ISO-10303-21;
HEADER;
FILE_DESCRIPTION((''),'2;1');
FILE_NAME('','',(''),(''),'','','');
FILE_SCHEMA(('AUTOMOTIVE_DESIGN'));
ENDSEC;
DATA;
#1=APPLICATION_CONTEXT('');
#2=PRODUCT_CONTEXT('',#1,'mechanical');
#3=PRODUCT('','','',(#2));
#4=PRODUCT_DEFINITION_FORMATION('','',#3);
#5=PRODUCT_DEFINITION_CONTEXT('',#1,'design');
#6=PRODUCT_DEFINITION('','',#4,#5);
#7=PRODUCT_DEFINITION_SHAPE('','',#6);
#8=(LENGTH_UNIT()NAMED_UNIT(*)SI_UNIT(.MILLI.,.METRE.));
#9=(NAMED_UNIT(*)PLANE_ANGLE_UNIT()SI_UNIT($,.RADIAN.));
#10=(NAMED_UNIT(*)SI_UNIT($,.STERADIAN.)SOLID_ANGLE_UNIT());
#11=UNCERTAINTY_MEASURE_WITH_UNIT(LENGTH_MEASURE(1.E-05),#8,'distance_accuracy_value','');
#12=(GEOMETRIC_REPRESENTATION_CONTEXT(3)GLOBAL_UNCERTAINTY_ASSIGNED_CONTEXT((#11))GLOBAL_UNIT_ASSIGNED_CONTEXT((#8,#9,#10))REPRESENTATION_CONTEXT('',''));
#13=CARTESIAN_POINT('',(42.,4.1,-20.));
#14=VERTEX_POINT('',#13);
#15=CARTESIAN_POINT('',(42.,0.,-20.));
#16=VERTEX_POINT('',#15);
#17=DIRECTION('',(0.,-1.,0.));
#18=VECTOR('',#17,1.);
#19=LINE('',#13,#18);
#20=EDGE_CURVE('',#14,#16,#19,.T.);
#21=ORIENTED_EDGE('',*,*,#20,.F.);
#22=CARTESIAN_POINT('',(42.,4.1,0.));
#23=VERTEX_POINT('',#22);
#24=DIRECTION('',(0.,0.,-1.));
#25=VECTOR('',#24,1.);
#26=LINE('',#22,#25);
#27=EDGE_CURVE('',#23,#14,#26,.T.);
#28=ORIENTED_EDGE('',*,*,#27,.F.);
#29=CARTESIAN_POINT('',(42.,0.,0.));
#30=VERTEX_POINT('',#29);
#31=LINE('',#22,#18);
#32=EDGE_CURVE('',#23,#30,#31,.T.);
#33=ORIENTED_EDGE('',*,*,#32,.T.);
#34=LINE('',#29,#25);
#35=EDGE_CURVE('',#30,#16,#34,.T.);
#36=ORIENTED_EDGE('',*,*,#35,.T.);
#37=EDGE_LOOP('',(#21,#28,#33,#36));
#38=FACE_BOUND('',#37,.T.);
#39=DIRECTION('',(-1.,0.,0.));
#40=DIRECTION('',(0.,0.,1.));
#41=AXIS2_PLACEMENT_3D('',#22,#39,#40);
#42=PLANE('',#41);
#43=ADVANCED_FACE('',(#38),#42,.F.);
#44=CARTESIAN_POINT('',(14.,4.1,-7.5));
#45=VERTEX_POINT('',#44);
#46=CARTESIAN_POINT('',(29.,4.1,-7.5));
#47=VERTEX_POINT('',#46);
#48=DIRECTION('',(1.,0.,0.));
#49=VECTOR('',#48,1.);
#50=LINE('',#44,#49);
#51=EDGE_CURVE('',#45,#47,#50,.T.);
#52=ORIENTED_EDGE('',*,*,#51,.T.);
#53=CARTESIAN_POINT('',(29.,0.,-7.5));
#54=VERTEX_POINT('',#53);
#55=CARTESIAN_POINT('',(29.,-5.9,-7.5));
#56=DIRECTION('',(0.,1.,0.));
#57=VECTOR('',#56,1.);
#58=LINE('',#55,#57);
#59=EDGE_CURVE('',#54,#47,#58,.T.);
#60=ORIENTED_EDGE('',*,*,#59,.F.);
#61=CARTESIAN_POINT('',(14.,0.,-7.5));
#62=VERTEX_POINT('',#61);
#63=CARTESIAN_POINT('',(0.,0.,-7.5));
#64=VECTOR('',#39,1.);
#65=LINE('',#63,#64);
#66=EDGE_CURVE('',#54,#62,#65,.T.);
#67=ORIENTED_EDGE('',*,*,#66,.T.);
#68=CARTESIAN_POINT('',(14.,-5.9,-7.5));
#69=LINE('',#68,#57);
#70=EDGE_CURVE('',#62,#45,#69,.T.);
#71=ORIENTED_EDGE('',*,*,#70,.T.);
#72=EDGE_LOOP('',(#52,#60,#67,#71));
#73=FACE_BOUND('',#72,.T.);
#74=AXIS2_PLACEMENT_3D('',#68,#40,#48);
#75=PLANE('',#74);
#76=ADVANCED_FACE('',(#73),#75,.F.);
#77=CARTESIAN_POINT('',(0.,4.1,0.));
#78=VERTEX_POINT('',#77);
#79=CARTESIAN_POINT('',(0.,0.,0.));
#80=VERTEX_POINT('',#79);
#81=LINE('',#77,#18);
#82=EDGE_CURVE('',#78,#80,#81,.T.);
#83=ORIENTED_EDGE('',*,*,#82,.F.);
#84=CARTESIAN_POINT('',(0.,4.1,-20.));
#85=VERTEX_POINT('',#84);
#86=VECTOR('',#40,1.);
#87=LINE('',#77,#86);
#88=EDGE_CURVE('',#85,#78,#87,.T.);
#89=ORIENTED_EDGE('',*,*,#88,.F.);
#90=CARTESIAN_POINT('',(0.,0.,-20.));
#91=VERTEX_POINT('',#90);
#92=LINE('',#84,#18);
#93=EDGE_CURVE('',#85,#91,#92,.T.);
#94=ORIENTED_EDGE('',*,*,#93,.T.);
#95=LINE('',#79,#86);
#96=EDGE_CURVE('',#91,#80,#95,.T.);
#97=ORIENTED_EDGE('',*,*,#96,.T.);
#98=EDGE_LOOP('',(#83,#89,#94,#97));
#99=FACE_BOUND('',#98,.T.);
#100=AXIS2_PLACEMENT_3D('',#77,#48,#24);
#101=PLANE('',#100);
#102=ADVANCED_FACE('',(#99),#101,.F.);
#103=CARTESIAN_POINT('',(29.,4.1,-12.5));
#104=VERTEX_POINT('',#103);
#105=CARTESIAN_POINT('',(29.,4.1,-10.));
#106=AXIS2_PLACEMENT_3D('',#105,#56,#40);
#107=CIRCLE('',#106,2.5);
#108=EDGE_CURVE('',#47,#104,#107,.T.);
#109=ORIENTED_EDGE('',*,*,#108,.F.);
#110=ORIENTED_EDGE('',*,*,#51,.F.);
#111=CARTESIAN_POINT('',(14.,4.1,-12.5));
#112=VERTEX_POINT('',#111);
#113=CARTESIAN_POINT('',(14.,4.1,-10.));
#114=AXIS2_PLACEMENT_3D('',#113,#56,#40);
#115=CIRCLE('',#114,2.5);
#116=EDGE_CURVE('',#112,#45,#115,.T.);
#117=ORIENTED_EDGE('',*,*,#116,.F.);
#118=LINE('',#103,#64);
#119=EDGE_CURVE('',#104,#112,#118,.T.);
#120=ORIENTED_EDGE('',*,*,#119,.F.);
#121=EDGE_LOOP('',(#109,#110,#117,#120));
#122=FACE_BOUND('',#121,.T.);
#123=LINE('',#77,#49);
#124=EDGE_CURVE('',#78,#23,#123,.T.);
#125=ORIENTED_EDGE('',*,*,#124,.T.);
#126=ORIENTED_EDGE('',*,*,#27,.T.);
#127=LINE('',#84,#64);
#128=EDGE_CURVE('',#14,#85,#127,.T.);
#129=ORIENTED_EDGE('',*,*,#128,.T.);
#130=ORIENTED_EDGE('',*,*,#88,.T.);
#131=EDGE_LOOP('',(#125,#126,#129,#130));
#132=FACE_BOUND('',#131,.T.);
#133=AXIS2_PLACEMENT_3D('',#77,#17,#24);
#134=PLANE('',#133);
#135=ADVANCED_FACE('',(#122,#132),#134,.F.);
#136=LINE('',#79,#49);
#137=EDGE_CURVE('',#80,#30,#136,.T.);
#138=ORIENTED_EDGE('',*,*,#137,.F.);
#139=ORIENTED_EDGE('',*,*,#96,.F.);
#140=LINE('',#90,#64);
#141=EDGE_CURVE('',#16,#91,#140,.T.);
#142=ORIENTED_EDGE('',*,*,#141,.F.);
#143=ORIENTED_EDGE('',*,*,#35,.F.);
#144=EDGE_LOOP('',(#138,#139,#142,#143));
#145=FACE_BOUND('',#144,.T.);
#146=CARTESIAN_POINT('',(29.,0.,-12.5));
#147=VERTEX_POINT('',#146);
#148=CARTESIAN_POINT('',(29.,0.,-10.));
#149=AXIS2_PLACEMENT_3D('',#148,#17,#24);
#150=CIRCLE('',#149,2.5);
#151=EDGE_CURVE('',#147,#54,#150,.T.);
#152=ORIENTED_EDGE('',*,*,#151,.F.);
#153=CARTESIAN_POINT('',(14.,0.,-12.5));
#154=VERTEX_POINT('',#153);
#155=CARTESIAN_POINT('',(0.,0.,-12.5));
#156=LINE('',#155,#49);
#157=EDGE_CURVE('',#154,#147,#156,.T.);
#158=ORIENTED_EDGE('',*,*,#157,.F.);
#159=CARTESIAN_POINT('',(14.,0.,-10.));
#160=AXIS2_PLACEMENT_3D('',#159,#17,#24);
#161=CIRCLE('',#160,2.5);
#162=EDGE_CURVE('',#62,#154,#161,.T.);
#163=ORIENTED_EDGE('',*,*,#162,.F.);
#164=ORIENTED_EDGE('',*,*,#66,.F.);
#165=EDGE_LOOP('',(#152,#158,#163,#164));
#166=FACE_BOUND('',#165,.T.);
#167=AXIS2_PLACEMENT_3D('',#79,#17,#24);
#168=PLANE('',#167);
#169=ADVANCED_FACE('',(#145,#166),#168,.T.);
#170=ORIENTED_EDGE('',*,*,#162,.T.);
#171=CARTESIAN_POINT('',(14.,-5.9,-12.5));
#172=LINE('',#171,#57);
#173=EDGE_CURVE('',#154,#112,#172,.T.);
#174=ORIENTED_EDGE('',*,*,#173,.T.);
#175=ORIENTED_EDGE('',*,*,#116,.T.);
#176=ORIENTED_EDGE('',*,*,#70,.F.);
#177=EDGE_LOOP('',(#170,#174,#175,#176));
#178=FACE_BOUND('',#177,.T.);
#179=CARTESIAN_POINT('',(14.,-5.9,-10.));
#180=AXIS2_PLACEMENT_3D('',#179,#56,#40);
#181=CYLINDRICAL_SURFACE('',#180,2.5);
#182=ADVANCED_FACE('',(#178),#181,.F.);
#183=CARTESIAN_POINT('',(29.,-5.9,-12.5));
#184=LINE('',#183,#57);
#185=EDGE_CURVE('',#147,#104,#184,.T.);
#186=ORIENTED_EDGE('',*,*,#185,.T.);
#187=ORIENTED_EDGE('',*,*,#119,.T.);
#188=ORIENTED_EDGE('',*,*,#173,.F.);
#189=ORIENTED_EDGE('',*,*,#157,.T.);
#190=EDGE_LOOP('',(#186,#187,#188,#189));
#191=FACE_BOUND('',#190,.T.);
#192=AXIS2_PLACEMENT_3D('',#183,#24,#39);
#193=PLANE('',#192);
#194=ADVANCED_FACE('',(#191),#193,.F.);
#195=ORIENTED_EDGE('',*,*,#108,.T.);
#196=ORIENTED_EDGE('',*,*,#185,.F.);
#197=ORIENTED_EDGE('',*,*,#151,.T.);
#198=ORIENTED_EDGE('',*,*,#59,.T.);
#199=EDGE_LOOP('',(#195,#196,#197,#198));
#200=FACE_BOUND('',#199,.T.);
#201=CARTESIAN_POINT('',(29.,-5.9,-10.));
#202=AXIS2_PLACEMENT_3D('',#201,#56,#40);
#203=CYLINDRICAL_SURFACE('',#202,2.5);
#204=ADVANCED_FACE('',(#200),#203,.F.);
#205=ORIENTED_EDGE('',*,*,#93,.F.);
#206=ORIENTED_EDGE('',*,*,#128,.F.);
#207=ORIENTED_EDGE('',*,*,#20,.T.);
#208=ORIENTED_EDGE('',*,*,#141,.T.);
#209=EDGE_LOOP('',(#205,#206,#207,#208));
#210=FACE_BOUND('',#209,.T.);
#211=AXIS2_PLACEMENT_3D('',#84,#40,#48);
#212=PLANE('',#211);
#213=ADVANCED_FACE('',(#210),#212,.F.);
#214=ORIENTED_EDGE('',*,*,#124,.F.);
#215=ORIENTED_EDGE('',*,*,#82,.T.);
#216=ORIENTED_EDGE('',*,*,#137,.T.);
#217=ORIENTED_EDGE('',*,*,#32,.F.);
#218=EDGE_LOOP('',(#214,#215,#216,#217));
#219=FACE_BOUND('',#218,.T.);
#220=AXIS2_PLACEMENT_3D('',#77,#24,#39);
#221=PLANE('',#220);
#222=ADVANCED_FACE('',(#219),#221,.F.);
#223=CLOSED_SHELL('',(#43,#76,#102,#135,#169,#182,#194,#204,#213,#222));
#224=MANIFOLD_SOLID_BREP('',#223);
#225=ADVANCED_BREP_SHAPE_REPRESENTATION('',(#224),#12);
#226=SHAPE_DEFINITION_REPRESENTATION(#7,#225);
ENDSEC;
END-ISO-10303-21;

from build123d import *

# Parameters (mm, degrees)
SKETCH_1_W          = 42
SKETCH_1_H          = 20
EXTRUDE_1_DEPTH     = 4.1
CUT_EXTRUDE_1_DEPTH = 10


with BuildPart() as part:
    # 草图1 → 凸台-拉伸1 (new body)
    with BuildSketch(Plane(origin=(0, 0, 0), x_dir=(1, 0, 0), z_dir=(0, 1, 0))):
        with Locations((21, 10)):
            Rectangle(SKETCH_1_W, SKETCH_1_H)
    extrude(amount=EXTRUDE_1_DEPTH)

    # 草图2 → 切除-拉伸1 (cut)
    with BuildSketch(Plane(origin=(0, 4.1, 0), x_dir=(1, 0, 0), z_dir=(0, 1, 0))):
        with BuildLine():
            Line((14, 7.5), (29, 7.5))
            ThreePointArc((29, 7.5), (31.5, 10), (29, 12.5))
            Line((29, 12.5), (14, 12.5))
            ThreePointArc((14, 12.5), (11.5, 10), (14, 7.5))
        make_face()
    extrude(amount=-CUT_EXTRUDE_1_DEPTH, mode=Mode.SUBTRACT)


solid = part.part
